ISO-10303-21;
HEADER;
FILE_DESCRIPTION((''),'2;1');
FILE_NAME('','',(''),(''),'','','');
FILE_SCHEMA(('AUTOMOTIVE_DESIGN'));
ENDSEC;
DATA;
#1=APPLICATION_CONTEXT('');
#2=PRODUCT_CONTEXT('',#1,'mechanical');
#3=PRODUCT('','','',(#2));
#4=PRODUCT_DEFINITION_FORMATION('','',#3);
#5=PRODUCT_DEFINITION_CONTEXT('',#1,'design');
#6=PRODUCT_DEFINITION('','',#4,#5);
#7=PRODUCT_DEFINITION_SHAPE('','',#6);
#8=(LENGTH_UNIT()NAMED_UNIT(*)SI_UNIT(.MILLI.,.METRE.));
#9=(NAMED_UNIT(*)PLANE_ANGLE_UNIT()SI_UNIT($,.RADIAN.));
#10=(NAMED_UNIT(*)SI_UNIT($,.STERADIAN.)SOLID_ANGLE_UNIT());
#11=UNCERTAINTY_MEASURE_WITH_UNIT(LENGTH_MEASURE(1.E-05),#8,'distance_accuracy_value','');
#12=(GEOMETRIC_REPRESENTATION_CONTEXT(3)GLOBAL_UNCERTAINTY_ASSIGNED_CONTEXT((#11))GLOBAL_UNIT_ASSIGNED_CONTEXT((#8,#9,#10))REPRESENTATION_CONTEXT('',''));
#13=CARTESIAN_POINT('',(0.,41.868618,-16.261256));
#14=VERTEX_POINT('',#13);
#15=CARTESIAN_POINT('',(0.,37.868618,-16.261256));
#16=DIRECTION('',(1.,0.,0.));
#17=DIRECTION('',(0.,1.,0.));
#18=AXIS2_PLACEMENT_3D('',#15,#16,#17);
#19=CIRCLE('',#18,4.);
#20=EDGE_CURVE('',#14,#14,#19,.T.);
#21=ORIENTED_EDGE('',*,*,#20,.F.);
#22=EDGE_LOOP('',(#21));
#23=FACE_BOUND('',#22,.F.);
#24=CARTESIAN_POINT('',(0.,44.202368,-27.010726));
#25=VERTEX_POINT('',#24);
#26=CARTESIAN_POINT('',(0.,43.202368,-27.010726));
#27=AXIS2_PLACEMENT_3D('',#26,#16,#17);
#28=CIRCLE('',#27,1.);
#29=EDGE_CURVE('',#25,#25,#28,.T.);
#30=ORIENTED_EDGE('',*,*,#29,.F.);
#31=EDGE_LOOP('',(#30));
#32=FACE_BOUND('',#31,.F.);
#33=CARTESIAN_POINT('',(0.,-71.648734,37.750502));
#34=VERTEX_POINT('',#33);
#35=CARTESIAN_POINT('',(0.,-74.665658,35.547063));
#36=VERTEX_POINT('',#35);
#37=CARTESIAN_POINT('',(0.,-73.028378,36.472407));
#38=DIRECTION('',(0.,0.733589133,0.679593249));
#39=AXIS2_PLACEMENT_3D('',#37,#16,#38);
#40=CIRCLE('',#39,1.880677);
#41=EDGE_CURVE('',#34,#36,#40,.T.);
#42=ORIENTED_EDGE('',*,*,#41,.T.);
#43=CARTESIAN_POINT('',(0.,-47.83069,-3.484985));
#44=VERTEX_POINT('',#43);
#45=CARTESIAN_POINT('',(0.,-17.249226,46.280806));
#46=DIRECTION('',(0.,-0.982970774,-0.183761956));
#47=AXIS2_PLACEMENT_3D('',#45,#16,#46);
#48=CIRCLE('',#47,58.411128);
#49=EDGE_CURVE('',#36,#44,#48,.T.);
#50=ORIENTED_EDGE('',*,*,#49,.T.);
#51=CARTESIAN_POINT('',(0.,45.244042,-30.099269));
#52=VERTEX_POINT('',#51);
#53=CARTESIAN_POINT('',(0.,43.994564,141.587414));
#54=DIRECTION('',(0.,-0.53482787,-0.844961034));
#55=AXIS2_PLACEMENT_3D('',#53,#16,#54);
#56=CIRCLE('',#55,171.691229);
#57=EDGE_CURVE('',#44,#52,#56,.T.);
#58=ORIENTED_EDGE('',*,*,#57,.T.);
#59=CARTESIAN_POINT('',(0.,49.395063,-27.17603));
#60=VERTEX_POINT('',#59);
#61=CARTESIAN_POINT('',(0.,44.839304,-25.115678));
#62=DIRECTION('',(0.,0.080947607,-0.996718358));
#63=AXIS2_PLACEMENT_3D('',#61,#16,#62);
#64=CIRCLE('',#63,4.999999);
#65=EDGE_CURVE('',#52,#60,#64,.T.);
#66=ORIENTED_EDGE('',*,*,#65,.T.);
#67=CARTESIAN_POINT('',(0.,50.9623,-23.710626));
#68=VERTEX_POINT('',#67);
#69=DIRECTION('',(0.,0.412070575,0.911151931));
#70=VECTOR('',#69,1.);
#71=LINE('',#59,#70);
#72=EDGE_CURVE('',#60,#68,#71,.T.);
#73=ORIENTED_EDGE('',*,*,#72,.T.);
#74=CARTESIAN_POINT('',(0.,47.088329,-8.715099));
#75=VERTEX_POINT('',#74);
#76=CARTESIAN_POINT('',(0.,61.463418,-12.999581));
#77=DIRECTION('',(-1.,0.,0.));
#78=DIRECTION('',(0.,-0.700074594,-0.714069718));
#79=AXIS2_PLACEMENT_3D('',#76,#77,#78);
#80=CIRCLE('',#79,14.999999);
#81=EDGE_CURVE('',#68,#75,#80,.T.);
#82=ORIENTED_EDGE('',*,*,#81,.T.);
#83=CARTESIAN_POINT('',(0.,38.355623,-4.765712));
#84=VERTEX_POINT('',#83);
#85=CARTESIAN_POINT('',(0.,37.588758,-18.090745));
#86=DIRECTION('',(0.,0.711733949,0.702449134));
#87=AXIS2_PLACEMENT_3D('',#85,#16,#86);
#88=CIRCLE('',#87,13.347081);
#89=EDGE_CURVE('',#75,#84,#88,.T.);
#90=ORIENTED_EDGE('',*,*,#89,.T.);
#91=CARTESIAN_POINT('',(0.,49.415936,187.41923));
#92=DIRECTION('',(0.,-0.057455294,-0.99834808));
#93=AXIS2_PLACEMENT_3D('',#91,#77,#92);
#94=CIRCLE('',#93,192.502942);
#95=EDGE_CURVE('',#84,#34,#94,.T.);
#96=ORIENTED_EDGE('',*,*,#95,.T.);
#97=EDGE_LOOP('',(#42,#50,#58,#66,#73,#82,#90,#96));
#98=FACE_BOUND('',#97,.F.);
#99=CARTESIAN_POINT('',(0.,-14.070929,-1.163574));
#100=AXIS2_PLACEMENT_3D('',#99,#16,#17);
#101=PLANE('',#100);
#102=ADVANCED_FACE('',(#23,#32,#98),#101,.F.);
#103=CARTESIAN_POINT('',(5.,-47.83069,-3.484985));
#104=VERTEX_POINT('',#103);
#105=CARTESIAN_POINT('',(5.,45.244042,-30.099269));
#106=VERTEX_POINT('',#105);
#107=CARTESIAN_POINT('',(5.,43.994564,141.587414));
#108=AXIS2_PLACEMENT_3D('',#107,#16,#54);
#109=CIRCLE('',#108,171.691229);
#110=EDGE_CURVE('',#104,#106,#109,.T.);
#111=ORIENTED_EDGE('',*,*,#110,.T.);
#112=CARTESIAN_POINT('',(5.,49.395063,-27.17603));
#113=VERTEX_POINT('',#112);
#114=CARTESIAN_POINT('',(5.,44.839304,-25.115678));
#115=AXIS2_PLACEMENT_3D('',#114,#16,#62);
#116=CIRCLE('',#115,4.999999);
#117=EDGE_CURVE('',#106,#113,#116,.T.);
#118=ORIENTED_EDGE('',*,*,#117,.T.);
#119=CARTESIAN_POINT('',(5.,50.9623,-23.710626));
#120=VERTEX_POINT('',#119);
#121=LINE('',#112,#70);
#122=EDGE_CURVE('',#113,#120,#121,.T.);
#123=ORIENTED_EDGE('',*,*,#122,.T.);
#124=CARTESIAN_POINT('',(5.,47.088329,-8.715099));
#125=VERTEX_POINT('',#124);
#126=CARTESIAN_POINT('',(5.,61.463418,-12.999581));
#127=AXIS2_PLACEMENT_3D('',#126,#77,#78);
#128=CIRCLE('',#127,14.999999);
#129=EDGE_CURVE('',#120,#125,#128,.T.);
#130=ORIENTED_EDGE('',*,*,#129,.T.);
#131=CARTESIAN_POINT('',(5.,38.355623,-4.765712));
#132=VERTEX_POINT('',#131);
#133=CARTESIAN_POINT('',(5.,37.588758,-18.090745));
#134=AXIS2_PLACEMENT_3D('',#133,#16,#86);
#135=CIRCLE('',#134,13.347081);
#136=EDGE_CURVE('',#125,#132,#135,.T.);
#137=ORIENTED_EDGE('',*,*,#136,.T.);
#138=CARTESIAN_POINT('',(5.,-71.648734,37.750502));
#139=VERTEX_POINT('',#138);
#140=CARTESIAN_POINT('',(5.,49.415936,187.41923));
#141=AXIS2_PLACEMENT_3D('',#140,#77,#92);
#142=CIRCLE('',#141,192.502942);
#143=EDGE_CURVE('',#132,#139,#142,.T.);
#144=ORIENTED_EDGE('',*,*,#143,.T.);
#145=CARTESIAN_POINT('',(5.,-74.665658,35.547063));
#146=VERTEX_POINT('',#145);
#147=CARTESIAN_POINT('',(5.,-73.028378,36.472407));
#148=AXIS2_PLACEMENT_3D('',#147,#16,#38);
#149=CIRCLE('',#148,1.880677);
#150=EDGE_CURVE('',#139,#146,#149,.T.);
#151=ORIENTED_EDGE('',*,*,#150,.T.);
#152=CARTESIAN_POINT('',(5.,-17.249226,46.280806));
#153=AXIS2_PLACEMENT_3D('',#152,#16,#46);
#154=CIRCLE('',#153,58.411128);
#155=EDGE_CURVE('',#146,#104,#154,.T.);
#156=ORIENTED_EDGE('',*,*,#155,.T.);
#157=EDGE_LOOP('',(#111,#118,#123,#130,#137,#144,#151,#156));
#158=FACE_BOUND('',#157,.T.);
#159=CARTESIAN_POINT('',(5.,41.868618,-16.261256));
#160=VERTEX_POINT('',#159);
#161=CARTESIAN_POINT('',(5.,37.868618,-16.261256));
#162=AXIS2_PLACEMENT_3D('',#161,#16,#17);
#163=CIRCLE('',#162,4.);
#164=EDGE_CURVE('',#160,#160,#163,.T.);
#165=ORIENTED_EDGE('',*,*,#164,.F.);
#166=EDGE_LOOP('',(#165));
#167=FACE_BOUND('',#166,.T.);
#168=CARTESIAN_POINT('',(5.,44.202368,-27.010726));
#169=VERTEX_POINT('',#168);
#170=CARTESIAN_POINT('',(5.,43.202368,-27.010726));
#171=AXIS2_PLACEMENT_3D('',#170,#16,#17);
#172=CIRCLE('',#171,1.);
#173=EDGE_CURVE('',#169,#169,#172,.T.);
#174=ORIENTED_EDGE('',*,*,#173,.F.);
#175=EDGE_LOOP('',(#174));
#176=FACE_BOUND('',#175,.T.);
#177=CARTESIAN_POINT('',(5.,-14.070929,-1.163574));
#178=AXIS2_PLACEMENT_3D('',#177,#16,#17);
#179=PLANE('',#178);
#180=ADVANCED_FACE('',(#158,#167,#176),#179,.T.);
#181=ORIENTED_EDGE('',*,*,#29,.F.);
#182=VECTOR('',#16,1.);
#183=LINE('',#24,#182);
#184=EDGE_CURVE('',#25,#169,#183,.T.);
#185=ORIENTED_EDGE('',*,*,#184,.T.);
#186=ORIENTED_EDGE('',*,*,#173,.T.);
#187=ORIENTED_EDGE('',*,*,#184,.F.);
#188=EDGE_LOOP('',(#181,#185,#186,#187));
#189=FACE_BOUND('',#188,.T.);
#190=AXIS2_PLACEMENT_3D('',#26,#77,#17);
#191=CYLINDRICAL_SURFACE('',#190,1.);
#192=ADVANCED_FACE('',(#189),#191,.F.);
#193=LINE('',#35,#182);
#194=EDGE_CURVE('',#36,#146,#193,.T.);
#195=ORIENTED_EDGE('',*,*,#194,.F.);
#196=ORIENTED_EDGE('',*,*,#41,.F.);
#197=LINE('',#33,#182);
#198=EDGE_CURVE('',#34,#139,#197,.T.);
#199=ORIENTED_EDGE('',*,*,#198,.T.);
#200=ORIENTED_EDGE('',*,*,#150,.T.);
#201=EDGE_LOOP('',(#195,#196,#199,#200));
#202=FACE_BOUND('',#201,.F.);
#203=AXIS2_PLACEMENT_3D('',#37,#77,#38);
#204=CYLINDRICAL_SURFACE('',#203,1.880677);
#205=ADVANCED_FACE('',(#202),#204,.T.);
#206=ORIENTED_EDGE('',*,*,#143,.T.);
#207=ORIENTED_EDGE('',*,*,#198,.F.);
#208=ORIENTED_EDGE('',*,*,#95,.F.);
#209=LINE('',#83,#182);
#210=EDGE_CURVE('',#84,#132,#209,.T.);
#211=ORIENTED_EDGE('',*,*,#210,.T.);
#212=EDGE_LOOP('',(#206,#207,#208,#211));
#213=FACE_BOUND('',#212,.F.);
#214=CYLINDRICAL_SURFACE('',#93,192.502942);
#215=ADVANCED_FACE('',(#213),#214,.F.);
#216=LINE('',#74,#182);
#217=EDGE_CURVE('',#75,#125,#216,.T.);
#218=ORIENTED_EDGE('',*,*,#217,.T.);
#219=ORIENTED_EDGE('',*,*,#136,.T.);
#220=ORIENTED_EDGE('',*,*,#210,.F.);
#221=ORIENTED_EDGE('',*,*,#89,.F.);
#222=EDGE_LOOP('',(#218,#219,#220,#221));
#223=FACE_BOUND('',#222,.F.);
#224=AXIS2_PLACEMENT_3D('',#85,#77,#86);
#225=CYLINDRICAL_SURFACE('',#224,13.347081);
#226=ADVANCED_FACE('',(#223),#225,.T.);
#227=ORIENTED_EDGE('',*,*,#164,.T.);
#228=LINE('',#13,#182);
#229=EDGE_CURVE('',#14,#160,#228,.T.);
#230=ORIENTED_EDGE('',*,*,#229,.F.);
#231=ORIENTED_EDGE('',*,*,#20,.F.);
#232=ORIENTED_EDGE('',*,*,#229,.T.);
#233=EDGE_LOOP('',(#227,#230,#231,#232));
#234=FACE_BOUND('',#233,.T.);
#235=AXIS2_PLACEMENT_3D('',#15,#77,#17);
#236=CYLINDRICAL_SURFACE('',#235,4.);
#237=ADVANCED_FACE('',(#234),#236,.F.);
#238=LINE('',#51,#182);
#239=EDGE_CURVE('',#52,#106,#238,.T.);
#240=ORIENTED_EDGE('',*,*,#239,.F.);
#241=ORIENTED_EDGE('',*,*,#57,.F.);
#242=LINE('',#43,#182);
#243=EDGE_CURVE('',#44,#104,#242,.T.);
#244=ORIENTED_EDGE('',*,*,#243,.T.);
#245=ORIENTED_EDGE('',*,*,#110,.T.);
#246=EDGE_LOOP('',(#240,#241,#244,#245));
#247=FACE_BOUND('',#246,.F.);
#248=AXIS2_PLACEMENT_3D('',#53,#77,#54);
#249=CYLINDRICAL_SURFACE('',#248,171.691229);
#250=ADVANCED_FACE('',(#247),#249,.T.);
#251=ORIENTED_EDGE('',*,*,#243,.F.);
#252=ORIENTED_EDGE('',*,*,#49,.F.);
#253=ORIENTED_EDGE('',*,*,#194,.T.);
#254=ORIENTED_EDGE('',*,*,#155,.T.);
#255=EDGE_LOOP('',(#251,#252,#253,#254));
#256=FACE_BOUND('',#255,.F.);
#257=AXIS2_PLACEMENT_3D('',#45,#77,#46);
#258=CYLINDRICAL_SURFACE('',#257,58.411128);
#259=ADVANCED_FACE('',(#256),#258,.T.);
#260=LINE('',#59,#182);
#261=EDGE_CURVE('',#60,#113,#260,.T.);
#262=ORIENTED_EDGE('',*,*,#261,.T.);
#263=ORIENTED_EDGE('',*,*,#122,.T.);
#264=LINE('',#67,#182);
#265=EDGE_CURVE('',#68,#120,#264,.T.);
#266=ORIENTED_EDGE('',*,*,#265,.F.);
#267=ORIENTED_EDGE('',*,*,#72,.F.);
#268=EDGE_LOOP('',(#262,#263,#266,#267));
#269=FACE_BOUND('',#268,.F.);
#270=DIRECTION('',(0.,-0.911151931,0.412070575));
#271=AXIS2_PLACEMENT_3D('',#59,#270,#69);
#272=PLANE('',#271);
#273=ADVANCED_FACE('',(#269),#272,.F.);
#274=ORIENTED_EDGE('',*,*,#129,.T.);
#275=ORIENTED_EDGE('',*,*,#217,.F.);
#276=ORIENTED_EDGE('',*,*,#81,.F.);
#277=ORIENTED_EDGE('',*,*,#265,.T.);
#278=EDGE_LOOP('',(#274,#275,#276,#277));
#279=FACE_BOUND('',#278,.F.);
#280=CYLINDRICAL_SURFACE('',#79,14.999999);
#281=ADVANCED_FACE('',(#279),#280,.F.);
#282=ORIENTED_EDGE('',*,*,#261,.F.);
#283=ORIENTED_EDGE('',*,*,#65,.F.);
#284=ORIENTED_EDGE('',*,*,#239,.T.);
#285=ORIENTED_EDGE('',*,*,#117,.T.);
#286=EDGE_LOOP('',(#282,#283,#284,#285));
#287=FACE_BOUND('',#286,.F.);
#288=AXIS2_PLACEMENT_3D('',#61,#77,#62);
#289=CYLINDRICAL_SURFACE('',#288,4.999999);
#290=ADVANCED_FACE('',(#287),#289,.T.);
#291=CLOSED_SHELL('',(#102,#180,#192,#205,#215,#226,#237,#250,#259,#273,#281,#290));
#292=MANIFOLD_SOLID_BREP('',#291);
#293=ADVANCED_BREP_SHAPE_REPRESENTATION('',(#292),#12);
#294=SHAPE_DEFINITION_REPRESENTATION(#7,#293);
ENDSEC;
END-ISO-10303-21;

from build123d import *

# Parameters (mm, degrees)
F0_R     = 1
F0_R_2   = 4
F1_DEPTH = 5


with BuildPart() as f1:
    # F0 (on Right) → F1 (new body)
    with BuildSketch(Plane.YZ):
        with BuildLine():
            Line((49.395063, -27.17603), (50.9623, -23.710626))
            ThreePointArc((50.9623, -23.710626), (46.940234, -16.751526), (47.088329, -8.715099))
            ThreePointArc((47.088329, -8.715099), (43.088698, -5.929526), (38.355623, -4.765712))
            ThreePointArc((38.355623, -4.765712), (-19.982622, 7.86082), (-71.648734, 37.750502))
            ThreePointArc((-71.648734, 37.750502), (-74.137603, 37.991145), (-74.665658, 35.547063))
            ThreePointArc((-74.665658, 35.547063), (-65.382194, 13.188854), (-47.83069, -3.484985))
            ThreePointArc((-47.83069, -3.484985), (-3.207902, -23.487737), (45.244042, -30.099269))
            ThreePointArc((45.244042, -30.099269), (47.718186, -29.203713), (49.395063, -27.17603))
        make_face()
        with Locations((43.202368, -27.010726)):
            Circle(F0_R, mode=Mode.SUBTRACT)
        with Locations((37.868618, -16.261256)):
            Circle(F0_R_2, mode=Mode.SUBTRACT)
    extrude(amount=F1_DEPTH)


solid = f1.part
